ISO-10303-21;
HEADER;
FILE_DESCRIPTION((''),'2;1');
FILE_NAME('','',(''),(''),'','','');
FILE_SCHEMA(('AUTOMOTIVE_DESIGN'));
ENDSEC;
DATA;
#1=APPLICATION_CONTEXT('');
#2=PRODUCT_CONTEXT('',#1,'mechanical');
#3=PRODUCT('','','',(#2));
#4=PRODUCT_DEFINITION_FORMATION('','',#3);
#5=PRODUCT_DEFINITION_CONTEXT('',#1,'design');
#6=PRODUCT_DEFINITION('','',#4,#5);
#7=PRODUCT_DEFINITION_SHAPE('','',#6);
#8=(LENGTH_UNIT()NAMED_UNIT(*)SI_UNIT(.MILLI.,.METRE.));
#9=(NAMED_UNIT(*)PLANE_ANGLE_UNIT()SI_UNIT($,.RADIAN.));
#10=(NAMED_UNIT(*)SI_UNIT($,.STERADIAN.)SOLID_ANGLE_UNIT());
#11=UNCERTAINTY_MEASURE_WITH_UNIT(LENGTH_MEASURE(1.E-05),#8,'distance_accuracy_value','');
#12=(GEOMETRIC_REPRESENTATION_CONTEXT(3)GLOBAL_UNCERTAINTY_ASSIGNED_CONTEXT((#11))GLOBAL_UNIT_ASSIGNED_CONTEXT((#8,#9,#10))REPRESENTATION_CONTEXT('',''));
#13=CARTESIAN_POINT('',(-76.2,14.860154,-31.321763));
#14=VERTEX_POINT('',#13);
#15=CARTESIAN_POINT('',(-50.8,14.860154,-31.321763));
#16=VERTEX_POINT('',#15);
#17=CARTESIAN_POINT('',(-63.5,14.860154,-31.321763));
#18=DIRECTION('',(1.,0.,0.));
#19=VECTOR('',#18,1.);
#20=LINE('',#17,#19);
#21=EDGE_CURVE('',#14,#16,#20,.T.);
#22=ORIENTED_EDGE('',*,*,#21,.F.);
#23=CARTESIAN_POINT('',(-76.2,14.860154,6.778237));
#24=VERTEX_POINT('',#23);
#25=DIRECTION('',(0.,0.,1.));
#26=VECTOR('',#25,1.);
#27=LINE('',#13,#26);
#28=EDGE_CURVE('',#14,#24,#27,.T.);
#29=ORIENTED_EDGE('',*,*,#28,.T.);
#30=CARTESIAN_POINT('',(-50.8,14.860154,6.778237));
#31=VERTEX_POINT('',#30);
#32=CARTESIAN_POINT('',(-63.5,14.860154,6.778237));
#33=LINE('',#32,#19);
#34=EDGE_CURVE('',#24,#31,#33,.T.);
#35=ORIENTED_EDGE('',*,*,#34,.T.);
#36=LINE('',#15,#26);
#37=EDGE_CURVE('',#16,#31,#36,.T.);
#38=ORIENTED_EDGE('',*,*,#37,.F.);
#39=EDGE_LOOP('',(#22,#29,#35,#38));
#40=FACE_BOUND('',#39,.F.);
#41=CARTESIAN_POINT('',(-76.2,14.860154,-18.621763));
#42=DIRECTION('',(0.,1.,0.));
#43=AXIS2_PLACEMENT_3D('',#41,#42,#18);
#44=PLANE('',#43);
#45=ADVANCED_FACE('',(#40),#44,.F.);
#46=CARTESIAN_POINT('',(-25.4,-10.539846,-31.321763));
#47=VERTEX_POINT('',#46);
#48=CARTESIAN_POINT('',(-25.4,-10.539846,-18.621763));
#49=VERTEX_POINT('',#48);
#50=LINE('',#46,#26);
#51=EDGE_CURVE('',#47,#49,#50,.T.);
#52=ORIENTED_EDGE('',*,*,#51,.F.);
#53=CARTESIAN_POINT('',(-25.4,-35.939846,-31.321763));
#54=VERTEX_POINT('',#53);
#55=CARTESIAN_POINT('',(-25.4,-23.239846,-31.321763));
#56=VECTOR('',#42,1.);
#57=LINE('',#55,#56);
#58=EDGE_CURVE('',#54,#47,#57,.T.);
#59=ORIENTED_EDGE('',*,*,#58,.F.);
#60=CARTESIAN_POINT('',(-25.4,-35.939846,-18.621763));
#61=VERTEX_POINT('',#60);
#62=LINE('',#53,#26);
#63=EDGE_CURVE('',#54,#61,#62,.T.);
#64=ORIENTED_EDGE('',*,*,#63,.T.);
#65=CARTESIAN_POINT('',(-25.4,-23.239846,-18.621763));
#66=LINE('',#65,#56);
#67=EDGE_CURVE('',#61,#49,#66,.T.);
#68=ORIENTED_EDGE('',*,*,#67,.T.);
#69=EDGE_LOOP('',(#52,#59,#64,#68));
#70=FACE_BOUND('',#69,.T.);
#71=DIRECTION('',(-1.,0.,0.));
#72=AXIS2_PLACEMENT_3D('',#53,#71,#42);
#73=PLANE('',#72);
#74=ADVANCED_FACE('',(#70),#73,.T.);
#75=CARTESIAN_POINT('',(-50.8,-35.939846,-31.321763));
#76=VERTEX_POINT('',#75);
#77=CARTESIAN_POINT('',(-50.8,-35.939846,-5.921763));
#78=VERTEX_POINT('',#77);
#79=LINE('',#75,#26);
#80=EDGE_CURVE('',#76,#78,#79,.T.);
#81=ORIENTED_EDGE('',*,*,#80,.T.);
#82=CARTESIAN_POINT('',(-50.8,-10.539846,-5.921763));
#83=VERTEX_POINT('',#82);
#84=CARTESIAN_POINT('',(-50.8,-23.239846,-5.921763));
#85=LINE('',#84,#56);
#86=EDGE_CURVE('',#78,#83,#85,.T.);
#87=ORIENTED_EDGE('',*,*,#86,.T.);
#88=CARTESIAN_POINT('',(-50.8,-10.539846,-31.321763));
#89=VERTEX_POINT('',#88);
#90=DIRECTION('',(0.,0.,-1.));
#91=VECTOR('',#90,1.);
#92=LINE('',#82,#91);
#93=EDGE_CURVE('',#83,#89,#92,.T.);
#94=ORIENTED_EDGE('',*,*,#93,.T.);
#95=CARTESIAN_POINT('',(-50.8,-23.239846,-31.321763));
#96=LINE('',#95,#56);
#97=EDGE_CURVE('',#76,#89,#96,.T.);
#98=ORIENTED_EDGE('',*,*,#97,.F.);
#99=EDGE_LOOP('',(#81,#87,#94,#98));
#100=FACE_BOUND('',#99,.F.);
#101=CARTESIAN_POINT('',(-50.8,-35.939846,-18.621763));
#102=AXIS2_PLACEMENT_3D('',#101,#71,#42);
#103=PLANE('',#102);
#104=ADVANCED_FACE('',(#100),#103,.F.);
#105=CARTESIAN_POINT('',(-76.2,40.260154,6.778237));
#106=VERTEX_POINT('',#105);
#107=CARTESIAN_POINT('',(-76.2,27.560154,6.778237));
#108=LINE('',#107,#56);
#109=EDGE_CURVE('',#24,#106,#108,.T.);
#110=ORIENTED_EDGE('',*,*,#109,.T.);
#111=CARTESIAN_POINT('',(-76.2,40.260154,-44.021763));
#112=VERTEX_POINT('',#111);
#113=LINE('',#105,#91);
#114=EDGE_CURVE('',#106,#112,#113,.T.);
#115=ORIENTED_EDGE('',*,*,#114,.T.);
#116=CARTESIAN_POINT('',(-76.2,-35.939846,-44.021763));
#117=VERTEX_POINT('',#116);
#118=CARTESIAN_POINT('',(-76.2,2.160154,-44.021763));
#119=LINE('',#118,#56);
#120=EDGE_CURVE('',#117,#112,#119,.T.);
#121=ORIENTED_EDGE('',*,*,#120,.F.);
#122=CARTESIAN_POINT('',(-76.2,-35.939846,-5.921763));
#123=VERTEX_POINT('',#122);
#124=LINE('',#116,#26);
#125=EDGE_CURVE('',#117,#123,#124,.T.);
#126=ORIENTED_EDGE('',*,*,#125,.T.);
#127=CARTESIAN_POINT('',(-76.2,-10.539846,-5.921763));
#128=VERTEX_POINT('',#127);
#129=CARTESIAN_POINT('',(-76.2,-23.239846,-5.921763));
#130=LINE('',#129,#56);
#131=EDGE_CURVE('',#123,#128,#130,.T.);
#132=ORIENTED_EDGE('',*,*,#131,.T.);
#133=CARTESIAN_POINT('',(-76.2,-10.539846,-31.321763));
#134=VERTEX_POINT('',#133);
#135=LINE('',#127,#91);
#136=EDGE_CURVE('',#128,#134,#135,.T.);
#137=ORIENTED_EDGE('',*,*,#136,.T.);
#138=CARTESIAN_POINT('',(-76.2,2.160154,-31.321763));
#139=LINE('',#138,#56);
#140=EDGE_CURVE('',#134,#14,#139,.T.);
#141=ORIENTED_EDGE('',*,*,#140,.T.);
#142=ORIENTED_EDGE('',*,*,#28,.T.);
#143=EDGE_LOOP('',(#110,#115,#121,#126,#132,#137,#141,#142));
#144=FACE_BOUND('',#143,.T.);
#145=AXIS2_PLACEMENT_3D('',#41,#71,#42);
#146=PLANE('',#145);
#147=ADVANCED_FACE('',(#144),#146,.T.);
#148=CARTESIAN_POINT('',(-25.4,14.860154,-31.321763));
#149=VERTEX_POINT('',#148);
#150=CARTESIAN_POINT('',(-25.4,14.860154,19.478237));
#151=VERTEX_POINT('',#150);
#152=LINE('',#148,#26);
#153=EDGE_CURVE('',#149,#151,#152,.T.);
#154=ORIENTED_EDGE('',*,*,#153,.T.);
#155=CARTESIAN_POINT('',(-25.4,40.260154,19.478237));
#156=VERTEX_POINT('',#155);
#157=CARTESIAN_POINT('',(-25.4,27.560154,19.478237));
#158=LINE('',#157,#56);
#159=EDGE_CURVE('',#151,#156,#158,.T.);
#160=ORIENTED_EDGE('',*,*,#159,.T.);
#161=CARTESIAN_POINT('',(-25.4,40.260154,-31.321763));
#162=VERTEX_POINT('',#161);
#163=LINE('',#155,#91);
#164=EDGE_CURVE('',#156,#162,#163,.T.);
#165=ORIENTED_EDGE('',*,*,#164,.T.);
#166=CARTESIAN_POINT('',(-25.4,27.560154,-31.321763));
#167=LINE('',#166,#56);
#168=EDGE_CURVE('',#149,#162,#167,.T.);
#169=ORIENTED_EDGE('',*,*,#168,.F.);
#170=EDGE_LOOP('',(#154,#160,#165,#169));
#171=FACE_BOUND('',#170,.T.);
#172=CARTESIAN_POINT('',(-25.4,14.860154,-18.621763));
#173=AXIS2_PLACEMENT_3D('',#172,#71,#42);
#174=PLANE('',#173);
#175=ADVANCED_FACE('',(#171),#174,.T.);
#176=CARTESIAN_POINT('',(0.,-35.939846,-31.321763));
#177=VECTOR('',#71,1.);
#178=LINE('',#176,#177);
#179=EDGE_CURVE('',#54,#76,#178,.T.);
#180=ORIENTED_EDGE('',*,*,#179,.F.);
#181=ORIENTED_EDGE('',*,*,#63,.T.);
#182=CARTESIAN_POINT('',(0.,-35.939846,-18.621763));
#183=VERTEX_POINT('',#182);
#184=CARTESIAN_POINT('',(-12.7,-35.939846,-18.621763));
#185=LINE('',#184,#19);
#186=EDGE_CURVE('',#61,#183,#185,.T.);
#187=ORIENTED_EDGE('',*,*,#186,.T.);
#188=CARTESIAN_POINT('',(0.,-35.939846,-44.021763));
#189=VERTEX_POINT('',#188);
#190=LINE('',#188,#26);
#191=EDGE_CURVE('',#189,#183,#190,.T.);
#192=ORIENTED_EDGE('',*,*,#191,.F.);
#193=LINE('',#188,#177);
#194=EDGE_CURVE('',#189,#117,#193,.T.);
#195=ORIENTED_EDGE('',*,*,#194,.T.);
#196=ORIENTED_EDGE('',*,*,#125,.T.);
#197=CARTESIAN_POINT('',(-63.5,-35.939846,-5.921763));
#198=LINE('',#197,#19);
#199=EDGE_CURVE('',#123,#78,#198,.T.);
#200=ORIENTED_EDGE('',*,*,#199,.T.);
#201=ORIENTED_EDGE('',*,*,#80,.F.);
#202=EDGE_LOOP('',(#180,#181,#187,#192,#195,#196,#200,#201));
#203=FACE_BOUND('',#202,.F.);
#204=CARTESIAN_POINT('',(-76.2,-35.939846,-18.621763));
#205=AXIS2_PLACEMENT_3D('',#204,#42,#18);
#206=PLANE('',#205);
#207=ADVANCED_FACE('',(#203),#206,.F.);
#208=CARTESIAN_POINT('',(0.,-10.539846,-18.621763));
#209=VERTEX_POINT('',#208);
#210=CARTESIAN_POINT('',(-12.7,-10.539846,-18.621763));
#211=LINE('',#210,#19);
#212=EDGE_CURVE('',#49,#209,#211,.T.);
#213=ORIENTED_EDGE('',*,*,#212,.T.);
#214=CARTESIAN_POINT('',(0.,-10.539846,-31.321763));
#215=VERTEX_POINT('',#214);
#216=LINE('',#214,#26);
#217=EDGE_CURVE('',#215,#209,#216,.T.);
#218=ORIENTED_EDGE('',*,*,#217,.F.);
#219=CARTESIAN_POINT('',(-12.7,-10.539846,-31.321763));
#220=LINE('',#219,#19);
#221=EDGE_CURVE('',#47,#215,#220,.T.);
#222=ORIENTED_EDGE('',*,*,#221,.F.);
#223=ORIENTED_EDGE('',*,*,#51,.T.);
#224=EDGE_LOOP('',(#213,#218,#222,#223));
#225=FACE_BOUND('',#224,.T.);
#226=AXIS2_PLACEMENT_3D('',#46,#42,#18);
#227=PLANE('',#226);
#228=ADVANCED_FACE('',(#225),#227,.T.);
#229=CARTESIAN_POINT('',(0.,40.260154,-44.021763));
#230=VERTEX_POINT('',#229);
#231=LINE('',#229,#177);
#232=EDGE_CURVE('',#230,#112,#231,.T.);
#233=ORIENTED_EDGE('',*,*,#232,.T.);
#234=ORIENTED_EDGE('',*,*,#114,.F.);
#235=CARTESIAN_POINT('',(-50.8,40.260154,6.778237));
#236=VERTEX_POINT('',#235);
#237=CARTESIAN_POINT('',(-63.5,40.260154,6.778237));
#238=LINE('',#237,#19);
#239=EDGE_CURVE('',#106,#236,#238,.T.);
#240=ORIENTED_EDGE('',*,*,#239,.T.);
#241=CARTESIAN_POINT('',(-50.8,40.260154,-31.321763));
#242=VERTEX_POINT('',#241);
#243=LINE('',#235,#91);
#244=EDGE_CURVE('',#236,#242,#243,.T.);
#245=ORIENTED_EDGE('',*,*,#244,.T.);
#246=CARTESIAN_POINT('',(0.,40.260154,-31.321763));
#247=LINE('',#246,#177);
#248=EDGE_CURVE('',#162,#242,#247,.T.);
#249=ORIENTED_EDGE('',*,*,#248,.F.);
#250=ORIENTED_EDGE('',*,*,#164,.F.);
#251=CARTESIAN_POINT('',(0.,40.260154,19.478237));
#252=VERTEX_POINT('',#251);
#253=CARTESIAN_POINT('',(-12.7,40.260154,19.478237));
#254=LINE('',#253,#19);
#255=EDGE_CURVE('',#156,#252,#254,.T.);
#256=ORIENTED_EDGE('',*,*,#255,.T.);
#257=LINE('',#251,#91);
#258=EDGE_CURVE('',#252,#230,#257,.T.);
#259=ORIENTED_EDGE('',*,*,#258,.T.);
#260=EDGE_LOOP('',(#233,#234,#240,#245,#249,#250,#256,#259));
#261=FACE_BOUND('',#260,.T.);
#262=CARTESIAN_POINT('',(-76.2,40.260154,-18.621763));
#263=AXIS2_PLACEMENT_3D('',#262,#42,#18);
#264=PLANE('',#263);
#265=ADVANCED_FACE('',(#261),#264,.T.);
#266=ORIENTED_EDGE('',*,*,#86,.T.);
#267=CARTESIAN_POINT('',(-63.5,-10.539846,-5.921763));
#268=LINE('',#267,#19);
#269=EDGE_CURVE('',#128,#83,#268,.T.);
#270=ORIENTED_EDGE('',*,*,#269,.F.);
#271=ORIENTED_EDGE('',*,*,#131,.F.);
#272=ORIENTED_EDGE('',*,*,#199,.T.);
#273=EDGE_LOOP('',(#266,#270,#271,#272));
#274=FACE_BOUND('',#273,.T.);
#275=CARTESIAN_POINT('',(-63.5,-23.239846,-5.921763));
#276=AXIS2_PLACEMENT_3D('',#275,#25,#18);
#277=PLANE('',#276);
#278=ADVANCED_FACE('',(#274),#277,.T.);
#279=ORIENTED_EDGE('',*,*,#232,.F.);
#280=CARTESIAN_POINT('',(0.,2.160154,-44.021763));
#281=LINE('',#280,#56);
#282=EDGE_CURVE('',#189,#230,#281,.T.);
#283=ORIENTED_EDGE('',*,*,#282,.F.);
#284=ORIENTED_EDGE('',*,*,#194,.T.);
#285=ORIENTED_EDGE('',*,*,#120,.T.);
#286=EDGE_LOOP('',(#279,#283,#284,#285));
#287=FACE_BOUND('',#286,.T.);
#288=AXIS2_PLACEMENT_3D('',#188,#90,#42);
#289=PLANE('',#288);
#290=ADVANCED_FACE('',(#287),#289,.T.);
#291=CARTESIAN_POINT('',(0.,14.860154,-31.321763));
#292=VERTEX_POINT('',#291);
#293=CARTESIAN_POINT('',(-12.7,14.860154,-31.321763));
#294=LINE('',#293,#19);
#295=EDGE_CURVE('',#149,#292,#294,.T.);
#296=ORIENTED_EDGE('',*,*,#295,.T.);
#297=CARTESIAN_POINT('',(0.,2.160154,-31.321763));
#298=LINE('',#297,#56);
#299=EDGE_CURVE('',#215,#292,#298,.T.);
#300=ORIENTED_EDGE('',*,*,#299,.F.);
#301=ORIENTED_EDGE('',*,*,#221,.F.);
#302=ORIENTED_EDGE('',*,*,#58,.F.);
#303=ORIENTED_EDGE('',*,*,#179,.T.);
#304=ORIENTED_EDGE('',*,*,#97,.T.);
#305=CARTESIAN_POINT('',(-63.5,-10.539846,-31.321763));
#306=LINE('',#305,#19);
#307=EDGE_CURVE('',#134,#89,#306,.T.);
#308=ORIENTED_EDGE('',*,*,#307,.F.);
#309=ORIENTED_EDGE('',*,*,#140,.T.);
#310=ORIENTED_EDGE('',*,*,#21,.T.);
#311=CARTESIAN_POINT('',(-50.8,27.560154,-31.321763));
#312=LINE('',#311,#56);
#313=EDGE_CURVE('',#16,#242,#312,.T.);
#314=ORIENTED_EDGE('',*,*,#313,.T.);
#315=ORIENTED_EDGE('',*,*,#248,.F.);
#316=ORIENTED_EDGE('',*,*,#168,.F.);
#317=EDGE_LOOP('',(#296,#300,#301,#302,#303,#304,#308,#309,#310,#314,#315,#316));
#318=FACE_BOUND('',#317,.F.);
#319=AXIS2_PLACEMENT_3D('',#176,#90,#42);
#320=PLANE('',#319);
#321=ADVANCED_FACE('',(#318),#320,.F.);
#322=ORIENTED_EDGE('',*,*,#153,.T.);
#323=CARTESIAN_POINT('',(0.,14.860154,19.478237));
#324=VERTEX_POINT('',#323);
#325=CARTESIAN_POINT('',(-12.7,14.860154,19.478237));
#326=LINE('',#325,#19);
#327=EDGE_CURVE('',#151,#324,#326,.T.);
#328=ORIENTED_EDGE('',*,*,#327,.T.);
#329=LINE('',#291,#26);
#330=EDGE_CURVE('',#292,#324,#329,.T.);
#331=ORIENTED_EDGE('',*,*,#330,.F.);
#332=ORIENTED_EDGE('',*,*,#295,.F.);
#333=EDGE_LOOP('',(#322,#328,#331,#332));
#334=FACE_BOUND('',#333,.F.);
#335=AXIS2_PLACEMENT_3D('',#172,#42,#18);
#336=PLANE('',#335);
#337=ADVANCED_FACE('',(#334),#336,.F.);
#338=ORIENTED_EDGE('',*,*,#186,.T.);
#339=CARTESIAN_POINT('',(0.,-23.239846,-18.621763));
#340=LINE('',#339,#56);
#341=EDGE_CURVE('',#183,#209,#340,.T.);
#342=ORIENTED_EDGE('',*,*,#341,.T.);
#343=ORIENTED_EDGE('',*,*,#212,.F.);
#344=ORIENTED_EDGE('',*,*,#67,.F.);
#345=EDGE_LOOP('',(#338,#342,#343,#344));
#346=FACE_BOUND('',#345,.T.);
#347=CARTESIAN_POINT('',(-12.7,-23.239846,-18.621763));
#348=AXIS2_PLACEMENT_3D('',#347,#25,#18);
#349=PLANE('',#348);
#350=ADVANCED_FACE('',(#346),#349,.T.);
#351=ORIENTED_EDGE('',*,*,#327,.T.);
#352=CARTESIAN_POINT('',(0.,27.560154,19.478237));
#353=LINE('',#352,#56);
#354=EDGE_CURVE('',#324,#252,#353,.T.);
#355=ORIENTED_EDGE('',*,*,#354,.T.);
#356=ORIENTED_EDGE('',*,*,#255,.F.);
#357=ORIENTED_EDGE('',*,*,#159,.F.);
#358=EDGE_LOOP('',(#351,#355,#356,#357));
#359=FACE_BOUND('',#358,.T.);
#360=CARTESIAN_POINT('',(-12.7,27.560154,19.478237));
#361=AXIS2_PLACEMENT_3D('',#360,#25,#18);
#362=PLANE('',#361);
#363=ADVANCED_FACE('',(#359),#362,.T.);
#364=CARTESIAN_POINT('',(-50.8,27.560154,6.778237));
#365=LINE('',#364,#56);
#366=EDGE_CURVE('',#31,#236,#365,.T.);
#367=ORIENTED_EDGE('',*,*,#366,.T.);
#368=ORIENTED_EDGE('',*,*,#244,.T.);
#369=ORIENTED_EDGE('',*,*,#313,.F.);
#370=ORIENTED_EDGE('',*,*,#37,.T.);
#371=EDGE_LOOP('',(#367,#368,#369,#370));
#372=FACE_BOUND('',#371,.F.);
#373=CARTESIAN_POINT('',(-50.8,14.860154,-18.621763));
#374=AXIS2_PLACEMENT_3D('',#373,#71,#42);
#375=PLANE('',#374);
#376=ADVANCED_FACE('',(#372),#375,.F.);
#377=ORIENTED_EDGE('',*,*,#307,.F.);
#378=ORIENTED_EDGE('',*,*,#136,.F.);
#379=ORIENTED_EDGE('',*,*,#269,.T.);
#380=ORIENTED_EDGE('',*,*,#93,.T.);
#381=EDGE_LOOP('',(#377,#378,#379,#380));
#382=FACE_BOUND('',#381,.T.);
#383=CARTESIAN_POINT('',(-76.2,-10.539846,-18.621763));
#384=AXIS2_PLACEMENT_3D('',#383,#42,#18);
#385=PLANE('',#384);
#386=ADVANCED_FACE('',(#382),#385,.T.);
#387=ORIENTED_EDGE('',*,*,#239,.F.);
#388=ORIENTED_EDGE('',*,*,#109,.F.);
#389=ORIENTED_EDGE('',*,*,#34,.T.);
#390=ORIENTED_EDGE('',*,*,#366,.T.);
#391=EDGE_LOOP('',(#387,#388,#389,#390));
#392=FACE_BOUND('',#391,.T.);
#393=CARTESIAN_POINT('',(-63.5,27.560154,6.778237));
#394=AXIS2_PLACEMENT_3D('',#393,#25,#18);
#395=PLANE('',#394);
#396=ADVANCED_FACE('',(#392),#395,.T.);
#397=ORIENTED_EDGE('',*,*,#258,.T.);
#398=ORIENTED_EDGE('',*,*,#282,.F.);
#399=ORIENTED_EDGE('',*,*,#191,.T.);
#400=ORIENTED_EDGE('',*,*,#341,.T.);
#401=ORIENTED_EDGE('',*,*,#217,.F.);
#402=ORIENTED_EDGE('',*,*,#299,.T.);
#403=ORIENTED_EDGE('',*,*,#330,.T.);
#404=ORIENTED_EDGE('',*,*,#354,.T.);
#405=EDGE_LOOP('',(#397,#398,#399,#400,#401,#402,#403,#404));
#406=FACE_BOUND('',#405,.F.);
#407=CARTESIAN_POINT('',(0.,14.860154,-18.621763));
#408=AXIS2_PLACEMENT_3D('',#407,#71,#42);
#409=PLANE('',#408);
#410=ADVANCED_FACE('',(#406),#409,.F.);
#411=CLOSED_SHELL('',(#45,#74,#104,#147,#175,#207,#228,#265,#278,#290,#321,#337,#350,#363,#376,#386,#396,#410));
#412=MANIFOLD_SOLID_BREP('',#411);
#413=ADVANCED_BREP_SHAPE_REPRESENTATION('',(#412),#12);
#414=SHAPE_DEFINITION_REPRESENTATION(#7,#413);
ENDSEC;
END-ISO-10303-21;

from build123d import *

# Parameters (mm, degrees)
F0_W      = 76.2
F0_H      = 12.7
F1_DEPTH  = 76.2
F2_W      = 25.4
F2_H      = 25.4
F3_DEPTH  = 12.7
F3_FACE_W = 25.4
F3_FACE_H = 25.4
F4_DEPTH  = 12.7
F5_DEPTH  = 38.1
F6_DEPTH  = 25.4


with BuildPart() as f1:
    # F0 (on Right) → F1 (new body)
    with BuildSketch(Plane.YZ):
        with Locations((2.160154, -37.671763)):
            Rectangle(F0_W, F0_H)
    extrude(amount=-F1_DEPTH)

    # F2 (on face) → F3 (join)
    with BuildSketch(Plane.XY.offset(-31.321763)):
        with Locations((-12.7, -23.239846)):
            Rectangle(F2_W, F2_H)
        with Locations((-63.5, -23.239846)):
            Rectangle(F2_W, F2_H)
        with Locations((-12.7, 27.560154)):
            Rectangle(F2_W, F2_H)
        with Locations((-63.5, 27.560154)):
            Rectangle(F2_W, F2_H)
    extrude(amount=F3_DEPTH)

    # F3_face (on face) → F4 (join)
    with BuildSketch(Plane(origin=(-63.5, -23.239846, -18.621763), x_dir=(1, 0, 0), z_dir=(0, 0, 1))):
        Rectangle(F3_FACE_W, F3_FACE_H)
    extrude(amount=F4_DEPTH)

    # F3_face (on face) → F5 (join)
    with BuildSketch(Plane(origin=(-63.5, -23.239846, -18.621763), x_dir=(1, 0, 0), z_dir=(0, 0, 1))):
        with Locations((50.8, 50.8)):
            Rectangle(F3_FACE_W, F3_FACE_H)
    extrude(amount=F5_DEPTH)

    # F3_face (on face) → F6 (join)
    with BuildSketch(Plane(origin=(-63.5, -23.239846, -18.621763), x_dir=(1, 0, 0), z_dir=(0, 0, 1))):
        with Locations((0, 50.8)):
            Rectangle(F3_FACE_W, F3_FACE_H)
    extrude(amount=F6_DEPTH)


solid = f1.part
